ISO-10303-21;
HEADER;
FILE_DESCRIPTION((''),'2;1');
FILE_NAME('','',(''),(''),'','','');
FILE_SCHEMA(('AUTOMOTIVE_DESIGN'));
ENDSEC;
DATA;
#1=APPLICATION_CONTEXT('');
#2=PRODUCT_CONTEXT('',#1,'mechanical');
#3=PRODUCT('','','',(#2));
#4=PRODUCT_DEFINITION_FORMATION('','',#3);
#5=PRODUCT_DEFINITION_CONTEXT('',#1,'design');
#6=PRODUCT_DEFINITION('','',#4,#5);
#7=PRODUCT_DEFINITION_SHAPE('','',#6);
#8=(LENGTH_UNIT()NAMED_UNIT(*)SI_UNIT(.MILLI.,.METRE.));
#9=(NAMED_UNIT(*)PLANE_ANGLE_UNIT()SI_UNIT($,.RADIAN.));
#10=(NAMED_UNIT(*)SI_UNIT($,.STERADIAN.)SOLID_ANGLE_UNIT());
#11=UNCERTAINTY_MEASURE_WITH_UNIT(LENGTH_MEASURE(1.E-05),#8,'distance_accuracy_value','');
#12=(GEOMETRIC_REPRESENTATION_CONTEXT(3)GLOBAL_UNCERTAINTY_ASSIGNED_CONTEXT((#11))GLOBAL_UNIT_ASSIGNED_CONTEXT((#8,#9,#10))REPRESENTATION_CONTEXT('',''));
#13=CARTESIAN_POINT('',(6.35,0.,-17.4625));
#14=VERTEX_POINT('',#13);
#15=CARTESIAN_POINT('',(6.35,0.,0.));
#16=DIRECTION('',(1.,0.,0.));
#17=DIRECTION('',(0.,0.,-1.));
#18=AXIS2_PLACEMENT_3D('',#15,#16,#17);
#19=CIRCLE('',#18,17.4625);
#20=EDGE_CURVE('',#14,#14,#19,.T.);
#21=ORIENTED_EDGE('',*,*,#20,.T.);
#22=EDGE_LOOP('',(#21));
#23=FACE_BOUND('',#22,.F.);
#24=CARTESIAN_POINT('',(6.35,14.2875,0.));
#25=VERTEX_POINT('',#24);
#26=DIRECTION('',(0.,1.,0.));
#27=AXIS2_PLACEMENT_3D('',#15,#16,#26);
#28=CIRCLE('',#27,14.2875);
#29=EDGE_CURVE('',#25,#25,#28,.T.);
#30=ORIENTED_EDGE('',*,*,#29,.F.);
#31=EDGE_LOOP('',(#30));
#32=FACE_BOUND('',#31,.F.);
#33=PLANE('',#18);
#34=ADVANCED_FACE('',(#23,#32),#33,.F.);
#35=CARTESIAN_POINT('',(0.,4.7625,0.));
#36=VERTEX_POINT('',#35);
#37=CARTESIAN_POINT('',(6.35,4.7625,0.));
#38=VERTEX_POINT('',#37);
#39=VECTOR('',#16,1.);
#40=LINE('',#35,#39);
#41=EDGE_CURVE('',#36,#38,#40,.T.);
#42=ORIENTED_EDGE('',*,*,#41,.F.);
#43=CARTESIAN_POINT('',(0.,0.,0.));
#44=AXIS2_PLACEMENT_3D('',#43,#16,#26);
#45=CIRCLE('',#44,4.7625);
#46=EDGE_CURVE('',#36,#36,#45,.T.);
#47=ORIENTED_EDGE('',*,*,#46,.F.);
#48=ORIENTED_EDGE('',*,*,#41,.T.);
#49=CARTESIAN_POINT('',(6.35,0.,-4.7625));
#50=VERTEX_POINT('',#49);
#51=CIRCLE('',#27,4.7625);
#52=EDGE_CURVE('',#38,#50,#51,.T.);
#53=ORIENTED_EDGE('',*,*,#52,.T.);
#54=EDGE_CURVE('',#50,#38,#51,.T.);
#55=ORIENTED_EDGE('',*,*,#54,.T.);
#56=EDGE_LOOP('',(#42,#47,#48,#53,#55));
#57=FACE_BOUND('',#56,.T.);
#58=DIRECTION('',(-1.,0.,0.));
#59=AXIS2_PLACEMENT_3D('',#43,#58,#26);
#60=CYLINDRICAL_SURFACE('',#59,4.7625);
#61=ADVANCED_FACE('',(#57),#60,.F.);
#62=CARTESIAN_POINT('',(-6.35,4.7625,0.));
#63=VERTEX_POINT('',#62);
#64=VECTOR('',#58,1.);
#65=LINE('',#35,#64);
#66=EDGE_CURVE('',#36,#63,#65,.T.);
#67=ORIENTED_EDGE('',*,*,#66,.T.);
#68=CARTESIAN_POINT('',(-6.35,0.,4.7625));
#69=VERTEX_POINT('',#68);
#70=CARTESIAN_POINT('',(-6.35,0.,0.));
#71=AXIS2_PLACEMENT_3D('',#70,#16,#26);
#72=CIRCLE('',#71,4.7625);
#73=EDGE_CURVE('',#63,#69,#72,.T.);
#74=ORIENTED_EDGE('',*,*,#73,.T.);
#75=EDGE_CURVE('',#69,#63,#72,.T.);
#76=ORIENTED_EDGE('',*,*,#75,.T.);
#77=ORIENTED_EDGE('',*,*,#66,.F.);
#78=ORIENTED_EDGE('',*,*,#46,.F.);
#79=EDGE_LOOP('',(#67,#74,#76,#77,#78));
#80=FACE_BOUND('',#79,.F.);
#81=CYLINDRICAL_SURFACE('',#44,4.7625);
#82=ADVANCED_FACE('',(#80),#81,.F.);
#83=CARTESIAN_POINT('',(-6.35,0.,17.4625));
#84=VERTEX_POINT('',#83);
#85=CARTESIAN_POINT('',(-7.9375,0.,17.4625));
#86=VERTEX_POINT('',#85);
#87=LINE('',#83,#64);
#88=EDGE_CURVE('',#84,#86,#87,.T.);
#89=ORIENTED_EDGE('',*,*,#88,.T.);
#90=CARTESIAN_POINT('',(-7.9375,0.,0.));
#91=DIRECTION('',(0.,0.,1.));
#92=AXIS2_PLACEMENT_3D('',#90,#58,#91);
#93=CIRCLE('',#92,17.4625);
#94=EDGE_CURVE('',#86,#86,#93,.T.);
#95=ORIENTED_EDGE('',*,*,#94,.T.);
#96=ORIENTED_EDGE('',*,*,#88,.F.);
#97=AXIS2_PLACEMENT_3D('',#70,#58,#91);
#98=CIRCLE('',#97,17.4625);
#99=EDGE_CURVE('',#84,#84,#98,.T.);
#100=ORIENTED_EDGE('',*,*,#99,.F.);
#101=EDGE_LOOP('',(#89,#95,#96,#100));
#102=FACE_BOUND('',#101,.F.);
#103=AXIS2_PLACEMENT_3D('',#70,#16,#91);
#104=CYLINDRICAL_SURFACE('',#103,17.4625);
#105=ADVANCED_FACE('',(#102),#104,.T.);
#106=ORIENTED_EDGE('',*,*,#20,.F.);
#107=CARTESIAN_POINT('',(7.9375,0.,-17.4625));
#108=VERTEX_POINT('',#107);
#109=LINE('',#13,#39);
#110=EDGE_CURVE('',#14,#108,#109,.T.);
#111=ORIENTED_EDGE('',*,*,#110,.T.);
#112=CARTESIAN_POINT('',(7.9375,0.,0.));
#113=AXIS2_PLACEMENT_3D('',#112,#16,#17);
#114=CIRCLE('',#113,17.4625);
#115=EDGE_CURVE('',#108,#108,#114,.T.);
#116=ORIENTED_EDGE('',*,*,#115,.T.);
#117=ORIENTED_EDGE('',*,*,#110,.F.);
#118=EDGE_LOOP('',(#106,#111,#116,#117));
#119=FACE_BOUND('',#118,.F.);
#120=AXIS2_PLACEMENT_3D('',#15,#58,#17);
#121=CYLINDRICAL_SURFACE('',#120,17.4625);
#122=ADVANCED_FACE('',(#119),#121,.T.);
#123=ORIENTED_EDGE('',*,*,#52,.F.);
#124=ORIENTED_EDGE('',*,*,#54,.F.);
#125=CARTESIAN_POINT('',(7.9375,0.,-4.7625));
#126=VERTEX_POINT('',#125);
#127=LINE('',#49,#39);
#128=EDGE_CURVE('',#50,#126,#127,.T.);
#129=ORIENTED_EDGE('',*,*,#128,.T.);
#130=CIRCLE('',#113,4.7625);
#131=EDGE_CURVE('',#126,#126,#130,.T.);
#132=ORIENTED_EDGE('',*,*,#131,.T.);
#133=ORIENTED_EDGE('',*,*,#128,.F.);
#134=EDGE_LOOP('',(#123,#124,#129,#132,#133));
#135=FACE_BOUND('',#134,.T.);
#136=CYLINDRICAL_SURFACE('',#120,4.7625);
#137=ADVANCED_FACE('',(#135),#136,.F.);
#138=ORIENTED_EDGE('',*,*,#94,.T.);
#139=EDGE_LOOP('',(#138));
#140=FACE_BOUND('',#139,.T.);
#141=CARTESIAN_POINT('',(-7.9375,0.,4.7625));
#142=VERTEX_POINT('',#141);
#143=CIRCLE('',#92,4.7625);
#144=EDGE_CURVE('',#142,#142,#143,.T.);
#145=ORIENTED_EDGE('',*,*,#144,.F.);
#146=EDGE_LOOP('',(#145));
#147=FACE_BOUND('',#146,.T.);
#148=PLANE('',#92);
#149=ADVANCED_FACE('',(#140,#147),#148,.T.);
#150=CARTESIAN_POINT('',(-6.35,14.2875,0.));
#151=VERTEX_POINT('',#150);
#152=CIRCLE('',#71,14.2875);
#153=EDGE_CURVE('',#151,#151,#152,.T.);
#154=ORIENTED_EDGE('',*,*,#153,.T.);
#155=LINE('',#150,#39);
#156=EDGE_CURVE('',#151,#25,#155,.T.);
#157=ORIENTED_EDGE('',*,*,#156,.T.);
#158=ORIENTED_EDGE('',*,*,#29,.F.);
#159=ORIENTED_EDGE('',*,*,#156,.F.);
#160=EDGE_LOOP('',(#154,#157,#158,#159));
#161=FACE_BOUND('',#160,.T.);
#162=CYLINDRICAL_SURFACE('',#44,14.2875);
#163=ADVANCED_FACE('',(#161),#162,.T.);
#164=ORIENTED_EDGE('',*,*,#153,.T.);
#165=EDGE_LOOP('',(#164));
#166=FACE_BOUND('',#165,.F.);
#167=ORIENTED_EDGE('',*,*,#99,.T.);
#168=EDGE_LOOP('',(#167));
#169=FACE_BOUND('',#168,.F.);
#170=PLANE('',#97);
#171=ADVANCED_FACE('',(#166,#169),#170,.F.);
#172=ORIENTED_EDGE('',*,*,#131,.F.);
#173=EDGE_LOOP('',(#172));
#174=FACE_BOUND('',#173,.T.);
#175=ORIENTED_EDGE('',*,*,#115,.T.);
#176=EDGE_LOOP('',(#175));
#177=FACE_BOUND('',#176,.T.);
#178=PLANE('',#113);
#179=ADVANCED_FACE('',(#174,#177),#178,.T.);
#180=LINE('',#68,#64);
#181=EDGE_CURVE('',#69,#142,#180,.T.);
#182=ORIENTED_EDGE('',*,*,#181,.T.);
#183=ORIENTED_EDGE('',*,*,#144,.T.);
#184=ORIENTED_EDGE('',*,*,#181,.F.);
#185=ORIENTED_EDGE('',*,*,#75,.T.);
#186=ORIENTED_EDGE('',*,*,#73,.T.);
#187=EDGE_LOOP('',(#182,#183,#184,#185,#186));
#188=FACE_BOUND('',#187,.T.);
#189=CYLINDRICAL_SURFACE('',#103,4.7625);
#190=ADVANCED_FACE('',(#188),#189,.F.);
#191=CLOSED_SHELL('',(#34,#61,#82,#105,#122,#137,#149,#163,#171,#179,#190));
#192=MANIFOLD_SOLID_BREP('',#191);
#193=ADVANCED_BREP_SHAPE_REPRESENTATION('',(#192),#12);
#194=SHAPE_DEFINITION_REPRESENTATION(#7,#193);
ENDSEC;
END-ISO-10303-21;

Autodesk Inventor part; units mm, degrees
ref_plane "YZ Plane" through (0, 0, 0) normal (1, 0, 0) x (0, 1, 0)
ref_plane "XZ Plane" through (0, 0, 0) normal (0, 1, 0) x (-1, 0, 0)
ref_plane "XY Plane" through (0, 0, 0) normal (0, 0, 1) x (1, 0, 0)
sketch "Sketch1" plane through (0, 0, 0) normal (1, 0, 0) x (0, 1, 0)
  circle A0 centre (0, 0) radius 14.2875
  circle A1 centre (0, 0) radius 4.7625
  dimension "d0" = 28.575
  dimension "d2" = 9.525
extrude "Extrusion1" add sketch "Sketch1" along normal mid plane 12.7
sketch "Sketch2" plane through (6.35, 0, 0) normal (1, 0, 0) x (0, 0, -1)
  circle A0 centre (0, 0) radius 17.4625
  circle A1 centre (0, 0) radius 14.2875 construction
  circle A2 centre (0, 0) radius 4.7625 projected
  dimension "d6" = 3.175
extrude "Extrusion2" add sketch "Sketch2" along normal blind 1.5875
sketch "Sketch3" plane through (-6.35, 0, 0) normal (-1, 0, 0) x (0, 0, 1)
  circle A0 centre (0, 0) radius 17.4625 projected
  circle A1 centre (0, 0) radius 4.7625 projected
extrude "Extrusion3" add sketch "Sketch3" along normal blind 1.5875
sketch "Sketch4" plane through (7.9375, 0, 0) normal (1, 0, 0) x (0, 0, -1)
  circle A0 centre (0, 0) radius 4.7625 projected
  circle A1 centre (0, 0) radius 9.525
  dimension "d11" = 4.7625
extrude "Extrusion4" [suppressed]
properties part number "pulley XL 1.375in 2" material "Nylon 6/6"
